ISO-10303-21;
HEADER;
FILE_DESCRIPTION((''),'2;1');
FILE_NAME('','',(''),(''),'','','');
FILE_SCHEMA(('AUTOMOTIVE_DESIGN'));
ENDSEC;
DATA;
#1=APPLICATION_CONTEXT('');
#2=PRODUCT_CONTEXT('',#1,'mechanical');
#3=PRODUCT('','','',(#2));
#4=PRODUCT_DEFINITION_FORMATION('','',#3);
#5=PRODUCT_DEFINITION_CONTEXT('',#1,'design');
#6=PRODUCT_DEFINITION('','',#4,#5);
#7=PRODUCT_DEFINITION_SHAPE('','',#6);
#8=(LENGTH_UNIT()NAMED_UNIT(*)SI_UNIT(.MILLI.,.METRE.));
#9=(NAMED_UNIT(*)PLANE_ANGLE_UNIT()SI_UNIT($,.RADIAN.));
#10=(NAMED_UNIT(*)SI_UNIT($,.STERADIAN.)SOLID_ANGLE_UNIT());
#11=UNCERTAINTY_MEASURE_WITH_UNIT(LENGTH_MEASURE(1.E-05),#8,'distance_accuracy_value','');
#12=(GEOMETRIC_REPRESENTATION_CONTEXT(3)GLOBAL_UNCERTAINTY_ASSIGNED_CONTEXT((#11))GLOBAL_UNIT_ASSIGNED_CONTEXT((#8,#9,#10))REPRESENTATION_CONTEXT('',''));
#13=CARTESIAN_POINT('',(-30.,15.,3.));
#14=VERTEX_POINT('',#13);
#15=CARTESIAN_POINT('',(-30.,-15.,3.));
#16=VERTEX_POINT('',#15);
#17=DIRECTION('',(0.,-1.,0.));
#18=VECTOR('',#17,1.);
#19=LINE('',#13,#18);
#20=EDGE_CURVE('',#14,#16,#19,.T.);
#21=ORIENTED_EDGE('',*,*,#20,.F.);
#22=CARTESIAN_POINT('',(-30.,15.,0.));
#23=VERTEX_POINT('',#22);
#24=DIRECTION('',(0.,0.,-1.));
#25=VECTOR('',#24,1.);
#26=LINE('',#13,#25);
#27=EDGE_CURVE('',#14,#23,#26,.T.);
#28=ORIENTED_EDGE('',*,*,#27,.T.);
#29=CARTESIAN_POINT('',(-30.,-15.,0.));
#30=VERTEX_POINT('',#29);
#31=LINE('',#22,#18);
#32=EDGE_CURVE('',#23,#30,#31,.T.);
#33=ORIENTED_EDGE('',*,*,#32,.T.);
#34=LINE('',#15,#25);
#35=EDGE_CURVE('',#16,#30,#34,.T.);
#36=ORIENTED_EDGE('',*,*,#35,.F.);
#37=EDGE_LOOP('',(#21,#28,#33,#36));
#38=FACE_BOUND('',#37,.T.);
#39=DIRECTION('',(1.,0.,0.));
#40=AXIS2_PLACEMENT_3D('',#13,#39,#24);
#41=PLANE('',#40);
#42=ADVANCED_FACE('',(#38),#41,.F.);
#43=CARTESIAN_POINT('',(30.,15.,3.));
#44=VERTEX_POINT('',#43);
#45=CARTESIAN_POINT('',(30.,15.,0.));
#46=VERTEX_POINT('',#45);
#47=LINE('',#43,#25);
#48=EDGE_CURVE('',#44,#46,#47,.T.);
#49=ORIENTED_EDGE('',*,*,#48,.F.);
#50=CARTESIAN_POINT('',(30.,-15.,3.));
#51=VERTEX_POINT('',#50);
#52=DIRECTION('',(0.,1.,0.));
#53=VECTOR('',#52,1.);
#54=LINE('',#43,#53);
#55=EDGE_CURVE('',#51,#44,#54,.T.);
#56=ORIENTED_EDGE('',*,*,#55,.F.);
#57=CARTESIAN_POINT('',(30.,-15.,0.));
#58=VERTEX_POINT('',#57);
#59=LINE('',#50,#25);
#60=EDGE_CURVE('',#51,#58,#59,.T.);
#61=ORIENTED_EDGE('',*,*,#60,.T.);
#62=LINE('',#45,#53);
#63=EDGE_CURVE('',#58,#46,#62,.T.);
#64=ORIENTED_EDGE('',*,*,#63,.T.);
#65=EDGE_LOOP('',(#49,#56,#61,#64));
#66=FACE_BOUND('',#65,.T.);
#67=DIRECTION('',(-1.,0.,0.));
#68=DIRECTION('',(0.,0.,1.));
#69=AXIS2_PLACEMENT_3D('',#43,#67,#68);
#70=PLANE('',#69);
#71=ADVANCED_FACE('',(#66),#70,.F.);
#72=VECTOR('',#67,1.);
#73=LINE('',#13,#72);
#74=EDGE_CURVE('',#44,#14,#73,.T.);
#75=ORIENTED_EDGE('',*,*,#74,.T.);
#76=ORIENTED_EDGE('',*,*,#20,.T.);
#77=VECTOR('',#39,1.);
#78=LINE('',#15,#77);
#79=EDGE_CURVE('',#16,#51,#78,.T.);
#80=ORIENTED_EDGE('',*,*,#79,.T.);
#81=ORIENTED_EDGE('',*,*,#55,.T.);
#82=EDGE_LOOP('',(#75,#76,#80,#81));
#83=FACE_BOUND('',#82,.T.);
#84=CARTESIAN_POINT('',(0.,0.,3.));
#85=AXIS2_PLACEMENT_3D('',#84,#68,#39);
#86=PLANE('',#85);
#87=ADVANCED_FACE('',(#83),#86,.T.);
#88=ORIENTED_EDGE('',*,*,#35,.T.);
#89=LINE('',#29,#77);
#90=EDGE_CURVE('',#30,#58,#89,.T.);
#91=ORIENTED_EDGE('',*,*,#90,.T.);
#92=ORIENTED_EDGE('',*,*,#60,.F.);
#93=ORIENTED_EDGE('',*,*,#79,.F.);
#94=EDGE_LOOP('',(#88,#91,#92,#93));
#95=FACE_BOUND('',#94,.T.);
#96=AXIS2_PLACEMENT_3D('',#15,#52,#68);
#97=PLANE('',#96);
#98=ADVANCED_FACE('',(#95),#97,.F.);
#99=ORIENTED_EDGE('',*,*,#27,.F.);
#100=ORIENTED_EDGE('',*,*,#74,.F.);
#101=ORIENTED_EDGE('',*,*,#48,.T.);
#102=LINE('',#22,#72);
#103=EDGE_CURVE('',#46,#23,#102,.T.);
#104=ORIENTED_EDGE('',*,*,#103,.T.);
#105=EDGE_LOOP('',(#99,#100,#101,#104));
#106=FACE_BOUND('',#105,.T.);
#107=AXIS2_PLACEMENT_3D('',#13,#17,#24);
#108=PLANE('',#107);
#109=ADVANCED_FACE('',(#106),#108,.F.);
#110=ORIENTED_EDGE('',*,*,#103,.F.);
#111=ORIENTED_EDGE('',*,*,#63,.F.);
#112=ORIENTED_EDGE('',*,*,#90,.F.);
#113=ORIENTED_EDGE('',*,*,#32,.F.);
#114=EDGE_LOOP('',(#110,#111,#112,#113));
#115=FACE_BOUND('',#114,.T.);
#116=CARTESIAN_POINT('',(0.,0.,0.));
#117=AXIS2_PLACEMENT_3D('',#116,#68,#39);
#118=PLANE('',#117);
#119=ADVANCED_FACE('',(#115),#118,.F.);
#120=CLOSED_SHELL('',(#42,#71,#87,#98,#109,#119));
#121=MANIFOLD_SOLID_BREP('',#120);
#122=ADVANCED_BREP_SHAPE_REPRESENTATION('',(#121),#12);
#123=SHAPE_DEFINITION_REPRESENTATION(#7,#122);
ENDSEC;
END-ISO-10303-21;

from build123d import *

# Parameters (mm, degrees)
SKETCH_1_W      = 60
SKETCH_1_H      = 30
EXTRUDE_1_DEPTH = 3


with BuildPart() as part:
    # 草图1 → 凸台-拉伸1 (new body)
    with BuildSketch(Plane.XY):
        Rectangle(SKETCH_1_W, SKETCH_1_H)
    extrude(amount=EXTRUDE_1_DEPTH)


solid = part.part
